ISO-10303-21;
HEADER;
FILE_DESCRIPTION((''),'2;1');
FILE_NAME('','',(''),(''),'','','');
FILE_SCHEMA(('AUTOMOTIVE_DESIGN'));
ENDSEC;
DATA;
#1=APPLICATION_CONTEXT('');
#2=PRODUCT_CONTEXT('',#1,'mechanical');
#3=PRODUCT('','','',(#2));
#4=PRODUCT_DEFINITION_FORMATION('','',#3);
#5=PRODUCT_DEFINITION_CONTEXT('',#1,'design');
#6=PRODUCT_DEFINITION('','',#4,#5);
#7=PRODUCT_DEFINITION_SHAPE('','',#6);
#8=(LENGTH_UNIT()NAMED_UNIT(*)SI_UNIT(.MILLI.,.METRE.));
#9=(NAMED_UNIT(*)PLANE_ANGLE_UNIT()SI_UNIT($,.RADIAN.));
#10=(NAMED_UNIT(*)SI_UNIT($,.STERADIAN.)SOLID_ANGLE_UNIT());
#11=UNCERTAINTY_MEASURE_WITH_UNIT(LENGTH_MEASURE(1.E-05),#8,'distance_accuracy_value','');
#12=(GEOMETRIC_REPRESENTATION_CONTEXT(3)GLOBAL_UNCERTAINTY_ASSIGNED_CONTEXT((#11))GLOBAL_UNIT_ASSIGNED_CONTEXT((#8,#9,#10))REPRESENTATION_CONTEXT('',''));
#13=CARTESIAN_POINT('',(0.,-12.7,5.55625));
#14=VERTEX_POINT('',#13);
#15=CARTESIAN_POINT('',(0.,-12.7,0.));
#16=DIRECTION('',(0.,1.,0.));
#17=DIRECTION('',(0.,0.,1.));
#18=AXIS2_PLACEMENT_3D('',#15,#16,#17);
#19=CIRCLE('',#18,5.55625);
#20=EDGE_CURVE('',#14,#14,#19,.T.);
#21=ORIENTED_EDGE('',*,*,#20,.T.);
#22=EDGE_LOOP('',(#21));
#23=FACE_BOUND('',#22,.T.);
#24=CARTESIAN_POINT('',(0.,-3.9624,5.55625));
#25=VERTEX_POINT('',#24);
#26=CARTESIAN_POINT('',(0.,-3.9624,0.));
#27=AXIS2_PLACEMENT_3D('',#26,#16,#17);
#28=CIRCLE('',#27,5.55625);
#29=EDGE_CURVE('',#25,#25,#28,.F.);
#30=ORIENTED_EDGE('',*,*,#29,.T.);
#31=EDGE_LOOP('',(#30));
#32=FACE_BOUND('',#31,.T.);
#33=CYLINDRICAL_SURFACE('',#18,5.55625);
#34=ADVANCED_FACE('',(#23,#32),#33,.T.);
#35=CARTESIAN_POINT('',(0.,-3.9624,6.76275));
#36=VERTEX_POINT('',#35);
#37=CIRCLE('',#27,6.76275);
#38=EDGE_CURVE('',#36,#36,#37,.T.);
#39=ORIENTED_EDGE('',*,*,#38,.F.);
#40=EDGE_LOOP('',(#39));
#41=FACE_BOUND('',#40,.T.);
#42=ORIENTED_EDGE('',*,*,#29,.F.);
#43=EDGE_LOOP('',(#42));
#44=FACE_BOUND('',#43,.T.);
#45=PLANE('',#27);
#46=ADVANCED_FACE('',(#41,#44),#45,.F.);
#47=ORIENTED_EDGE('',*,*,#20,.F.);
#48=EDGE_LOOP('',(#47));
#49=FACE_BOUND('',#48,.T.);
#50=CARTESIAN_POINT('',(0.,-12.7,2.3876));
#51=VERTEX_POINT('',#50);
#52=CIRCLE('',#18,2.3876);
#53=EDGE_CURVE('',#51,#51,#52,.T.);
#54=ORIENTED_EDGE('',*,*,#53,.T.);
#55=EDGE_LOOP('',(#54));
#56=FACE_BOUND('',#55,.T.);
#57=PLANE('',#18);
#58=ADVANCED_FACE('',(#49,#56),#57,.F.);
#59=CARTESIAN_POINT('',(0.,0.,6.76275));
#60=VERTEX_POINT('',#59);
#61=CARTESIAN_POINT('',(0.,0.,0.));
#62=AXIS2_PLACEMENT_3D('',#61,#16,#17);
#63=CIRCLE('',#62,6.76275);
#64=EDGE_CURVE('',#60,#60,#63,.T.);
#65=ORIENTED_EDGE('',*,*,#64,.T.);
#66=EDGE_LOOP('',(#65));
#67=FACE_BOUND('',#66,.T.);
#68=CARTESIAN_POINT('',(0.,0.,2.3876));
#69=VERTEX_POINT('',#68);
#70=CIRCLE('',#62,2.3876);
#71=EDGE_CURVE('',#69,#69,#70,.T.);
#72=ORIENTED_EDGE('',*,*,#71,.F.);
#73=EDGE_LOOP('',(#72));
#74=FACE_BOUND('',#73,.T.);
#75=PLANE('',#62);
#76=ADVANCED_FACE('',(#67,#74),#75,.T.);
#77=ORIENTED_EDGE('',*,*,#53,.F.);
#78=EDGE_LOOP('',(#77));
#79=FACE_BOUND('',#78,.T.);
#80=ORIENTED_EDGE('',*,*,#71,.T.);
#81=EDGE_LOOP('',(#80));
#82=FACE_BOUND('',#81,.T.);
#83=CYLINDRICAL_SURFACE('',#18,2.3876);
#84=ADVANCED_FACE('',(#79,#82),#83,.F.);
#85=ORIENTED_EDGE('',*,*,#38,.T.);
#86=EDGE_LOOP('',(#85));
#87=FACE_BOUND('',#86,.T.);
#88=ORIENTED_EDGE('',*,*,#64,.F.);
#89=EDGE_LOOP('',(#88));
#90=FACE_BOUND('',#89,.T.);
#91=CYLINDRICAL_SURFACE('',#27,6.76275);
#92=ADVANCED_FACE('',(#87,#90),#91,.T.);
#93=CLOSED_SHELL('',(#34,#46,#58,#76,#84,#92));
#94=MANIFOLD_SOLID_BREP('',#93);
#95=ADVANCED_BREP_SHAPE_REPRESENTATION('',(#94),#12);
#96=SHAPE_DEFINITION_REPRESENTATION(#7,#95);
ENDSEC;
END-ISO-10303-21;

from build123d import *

# Parameters (mm, degrees)
SKETCH1_R           = 5.55625
BASE_EXTRUDE_DEPTH  = 12.7
SKETCH2_R           = 6.76275
BOSS_EXTRUDE1_DEPTH = 3.9624
SKETCH3_R           = 2.3876
CUT_EXTRUDE1_DEPTH  = 16.898414233


with BuildPart() as part:
    # Sketch1 → Base-Extrude (new body)
    with BuildSketch(Plane(origin=(0, 0, 0), x_dir=(1, 0, 0), z_dir=(0, 1, 0))):
        with Locations(Location((0, 0, 0), (0, 0, 270))):
            Circle(SKETCH1_R)
    extrude(amount=-BASE_EXTRUDE_DEPTH)

    # Sketch2 → Boss-Extrude1 (add)
    with BuildSketch(Plane(origin=(0, 0, 0), x_dir=(-1, 0, 0), z_dir=(0, 1, 0))):
        with Locations(Location((0, 0, 0), (0, 0, 90))):
            Circle(SKETCH2_R)
    extrude(amount=-BOSS_EXTRUDE1_DEPTH)

    # Sketch3 → Cut-Extrude1 (cut, through all)
    with BuildSketch(Plane(origin=(0, 0, 0), x_dir=(-1, 0, 0), z_dir=(0, 1, 0))):
        with Locations(Location((0, 0, 0), (0, 0, 90))):
            Circle(SKETCH3_R)
    extrude(amount=-CUT_EXTRUDE1_DEPTH, mode=Mode.SUBTRACT)


solid = part.part
